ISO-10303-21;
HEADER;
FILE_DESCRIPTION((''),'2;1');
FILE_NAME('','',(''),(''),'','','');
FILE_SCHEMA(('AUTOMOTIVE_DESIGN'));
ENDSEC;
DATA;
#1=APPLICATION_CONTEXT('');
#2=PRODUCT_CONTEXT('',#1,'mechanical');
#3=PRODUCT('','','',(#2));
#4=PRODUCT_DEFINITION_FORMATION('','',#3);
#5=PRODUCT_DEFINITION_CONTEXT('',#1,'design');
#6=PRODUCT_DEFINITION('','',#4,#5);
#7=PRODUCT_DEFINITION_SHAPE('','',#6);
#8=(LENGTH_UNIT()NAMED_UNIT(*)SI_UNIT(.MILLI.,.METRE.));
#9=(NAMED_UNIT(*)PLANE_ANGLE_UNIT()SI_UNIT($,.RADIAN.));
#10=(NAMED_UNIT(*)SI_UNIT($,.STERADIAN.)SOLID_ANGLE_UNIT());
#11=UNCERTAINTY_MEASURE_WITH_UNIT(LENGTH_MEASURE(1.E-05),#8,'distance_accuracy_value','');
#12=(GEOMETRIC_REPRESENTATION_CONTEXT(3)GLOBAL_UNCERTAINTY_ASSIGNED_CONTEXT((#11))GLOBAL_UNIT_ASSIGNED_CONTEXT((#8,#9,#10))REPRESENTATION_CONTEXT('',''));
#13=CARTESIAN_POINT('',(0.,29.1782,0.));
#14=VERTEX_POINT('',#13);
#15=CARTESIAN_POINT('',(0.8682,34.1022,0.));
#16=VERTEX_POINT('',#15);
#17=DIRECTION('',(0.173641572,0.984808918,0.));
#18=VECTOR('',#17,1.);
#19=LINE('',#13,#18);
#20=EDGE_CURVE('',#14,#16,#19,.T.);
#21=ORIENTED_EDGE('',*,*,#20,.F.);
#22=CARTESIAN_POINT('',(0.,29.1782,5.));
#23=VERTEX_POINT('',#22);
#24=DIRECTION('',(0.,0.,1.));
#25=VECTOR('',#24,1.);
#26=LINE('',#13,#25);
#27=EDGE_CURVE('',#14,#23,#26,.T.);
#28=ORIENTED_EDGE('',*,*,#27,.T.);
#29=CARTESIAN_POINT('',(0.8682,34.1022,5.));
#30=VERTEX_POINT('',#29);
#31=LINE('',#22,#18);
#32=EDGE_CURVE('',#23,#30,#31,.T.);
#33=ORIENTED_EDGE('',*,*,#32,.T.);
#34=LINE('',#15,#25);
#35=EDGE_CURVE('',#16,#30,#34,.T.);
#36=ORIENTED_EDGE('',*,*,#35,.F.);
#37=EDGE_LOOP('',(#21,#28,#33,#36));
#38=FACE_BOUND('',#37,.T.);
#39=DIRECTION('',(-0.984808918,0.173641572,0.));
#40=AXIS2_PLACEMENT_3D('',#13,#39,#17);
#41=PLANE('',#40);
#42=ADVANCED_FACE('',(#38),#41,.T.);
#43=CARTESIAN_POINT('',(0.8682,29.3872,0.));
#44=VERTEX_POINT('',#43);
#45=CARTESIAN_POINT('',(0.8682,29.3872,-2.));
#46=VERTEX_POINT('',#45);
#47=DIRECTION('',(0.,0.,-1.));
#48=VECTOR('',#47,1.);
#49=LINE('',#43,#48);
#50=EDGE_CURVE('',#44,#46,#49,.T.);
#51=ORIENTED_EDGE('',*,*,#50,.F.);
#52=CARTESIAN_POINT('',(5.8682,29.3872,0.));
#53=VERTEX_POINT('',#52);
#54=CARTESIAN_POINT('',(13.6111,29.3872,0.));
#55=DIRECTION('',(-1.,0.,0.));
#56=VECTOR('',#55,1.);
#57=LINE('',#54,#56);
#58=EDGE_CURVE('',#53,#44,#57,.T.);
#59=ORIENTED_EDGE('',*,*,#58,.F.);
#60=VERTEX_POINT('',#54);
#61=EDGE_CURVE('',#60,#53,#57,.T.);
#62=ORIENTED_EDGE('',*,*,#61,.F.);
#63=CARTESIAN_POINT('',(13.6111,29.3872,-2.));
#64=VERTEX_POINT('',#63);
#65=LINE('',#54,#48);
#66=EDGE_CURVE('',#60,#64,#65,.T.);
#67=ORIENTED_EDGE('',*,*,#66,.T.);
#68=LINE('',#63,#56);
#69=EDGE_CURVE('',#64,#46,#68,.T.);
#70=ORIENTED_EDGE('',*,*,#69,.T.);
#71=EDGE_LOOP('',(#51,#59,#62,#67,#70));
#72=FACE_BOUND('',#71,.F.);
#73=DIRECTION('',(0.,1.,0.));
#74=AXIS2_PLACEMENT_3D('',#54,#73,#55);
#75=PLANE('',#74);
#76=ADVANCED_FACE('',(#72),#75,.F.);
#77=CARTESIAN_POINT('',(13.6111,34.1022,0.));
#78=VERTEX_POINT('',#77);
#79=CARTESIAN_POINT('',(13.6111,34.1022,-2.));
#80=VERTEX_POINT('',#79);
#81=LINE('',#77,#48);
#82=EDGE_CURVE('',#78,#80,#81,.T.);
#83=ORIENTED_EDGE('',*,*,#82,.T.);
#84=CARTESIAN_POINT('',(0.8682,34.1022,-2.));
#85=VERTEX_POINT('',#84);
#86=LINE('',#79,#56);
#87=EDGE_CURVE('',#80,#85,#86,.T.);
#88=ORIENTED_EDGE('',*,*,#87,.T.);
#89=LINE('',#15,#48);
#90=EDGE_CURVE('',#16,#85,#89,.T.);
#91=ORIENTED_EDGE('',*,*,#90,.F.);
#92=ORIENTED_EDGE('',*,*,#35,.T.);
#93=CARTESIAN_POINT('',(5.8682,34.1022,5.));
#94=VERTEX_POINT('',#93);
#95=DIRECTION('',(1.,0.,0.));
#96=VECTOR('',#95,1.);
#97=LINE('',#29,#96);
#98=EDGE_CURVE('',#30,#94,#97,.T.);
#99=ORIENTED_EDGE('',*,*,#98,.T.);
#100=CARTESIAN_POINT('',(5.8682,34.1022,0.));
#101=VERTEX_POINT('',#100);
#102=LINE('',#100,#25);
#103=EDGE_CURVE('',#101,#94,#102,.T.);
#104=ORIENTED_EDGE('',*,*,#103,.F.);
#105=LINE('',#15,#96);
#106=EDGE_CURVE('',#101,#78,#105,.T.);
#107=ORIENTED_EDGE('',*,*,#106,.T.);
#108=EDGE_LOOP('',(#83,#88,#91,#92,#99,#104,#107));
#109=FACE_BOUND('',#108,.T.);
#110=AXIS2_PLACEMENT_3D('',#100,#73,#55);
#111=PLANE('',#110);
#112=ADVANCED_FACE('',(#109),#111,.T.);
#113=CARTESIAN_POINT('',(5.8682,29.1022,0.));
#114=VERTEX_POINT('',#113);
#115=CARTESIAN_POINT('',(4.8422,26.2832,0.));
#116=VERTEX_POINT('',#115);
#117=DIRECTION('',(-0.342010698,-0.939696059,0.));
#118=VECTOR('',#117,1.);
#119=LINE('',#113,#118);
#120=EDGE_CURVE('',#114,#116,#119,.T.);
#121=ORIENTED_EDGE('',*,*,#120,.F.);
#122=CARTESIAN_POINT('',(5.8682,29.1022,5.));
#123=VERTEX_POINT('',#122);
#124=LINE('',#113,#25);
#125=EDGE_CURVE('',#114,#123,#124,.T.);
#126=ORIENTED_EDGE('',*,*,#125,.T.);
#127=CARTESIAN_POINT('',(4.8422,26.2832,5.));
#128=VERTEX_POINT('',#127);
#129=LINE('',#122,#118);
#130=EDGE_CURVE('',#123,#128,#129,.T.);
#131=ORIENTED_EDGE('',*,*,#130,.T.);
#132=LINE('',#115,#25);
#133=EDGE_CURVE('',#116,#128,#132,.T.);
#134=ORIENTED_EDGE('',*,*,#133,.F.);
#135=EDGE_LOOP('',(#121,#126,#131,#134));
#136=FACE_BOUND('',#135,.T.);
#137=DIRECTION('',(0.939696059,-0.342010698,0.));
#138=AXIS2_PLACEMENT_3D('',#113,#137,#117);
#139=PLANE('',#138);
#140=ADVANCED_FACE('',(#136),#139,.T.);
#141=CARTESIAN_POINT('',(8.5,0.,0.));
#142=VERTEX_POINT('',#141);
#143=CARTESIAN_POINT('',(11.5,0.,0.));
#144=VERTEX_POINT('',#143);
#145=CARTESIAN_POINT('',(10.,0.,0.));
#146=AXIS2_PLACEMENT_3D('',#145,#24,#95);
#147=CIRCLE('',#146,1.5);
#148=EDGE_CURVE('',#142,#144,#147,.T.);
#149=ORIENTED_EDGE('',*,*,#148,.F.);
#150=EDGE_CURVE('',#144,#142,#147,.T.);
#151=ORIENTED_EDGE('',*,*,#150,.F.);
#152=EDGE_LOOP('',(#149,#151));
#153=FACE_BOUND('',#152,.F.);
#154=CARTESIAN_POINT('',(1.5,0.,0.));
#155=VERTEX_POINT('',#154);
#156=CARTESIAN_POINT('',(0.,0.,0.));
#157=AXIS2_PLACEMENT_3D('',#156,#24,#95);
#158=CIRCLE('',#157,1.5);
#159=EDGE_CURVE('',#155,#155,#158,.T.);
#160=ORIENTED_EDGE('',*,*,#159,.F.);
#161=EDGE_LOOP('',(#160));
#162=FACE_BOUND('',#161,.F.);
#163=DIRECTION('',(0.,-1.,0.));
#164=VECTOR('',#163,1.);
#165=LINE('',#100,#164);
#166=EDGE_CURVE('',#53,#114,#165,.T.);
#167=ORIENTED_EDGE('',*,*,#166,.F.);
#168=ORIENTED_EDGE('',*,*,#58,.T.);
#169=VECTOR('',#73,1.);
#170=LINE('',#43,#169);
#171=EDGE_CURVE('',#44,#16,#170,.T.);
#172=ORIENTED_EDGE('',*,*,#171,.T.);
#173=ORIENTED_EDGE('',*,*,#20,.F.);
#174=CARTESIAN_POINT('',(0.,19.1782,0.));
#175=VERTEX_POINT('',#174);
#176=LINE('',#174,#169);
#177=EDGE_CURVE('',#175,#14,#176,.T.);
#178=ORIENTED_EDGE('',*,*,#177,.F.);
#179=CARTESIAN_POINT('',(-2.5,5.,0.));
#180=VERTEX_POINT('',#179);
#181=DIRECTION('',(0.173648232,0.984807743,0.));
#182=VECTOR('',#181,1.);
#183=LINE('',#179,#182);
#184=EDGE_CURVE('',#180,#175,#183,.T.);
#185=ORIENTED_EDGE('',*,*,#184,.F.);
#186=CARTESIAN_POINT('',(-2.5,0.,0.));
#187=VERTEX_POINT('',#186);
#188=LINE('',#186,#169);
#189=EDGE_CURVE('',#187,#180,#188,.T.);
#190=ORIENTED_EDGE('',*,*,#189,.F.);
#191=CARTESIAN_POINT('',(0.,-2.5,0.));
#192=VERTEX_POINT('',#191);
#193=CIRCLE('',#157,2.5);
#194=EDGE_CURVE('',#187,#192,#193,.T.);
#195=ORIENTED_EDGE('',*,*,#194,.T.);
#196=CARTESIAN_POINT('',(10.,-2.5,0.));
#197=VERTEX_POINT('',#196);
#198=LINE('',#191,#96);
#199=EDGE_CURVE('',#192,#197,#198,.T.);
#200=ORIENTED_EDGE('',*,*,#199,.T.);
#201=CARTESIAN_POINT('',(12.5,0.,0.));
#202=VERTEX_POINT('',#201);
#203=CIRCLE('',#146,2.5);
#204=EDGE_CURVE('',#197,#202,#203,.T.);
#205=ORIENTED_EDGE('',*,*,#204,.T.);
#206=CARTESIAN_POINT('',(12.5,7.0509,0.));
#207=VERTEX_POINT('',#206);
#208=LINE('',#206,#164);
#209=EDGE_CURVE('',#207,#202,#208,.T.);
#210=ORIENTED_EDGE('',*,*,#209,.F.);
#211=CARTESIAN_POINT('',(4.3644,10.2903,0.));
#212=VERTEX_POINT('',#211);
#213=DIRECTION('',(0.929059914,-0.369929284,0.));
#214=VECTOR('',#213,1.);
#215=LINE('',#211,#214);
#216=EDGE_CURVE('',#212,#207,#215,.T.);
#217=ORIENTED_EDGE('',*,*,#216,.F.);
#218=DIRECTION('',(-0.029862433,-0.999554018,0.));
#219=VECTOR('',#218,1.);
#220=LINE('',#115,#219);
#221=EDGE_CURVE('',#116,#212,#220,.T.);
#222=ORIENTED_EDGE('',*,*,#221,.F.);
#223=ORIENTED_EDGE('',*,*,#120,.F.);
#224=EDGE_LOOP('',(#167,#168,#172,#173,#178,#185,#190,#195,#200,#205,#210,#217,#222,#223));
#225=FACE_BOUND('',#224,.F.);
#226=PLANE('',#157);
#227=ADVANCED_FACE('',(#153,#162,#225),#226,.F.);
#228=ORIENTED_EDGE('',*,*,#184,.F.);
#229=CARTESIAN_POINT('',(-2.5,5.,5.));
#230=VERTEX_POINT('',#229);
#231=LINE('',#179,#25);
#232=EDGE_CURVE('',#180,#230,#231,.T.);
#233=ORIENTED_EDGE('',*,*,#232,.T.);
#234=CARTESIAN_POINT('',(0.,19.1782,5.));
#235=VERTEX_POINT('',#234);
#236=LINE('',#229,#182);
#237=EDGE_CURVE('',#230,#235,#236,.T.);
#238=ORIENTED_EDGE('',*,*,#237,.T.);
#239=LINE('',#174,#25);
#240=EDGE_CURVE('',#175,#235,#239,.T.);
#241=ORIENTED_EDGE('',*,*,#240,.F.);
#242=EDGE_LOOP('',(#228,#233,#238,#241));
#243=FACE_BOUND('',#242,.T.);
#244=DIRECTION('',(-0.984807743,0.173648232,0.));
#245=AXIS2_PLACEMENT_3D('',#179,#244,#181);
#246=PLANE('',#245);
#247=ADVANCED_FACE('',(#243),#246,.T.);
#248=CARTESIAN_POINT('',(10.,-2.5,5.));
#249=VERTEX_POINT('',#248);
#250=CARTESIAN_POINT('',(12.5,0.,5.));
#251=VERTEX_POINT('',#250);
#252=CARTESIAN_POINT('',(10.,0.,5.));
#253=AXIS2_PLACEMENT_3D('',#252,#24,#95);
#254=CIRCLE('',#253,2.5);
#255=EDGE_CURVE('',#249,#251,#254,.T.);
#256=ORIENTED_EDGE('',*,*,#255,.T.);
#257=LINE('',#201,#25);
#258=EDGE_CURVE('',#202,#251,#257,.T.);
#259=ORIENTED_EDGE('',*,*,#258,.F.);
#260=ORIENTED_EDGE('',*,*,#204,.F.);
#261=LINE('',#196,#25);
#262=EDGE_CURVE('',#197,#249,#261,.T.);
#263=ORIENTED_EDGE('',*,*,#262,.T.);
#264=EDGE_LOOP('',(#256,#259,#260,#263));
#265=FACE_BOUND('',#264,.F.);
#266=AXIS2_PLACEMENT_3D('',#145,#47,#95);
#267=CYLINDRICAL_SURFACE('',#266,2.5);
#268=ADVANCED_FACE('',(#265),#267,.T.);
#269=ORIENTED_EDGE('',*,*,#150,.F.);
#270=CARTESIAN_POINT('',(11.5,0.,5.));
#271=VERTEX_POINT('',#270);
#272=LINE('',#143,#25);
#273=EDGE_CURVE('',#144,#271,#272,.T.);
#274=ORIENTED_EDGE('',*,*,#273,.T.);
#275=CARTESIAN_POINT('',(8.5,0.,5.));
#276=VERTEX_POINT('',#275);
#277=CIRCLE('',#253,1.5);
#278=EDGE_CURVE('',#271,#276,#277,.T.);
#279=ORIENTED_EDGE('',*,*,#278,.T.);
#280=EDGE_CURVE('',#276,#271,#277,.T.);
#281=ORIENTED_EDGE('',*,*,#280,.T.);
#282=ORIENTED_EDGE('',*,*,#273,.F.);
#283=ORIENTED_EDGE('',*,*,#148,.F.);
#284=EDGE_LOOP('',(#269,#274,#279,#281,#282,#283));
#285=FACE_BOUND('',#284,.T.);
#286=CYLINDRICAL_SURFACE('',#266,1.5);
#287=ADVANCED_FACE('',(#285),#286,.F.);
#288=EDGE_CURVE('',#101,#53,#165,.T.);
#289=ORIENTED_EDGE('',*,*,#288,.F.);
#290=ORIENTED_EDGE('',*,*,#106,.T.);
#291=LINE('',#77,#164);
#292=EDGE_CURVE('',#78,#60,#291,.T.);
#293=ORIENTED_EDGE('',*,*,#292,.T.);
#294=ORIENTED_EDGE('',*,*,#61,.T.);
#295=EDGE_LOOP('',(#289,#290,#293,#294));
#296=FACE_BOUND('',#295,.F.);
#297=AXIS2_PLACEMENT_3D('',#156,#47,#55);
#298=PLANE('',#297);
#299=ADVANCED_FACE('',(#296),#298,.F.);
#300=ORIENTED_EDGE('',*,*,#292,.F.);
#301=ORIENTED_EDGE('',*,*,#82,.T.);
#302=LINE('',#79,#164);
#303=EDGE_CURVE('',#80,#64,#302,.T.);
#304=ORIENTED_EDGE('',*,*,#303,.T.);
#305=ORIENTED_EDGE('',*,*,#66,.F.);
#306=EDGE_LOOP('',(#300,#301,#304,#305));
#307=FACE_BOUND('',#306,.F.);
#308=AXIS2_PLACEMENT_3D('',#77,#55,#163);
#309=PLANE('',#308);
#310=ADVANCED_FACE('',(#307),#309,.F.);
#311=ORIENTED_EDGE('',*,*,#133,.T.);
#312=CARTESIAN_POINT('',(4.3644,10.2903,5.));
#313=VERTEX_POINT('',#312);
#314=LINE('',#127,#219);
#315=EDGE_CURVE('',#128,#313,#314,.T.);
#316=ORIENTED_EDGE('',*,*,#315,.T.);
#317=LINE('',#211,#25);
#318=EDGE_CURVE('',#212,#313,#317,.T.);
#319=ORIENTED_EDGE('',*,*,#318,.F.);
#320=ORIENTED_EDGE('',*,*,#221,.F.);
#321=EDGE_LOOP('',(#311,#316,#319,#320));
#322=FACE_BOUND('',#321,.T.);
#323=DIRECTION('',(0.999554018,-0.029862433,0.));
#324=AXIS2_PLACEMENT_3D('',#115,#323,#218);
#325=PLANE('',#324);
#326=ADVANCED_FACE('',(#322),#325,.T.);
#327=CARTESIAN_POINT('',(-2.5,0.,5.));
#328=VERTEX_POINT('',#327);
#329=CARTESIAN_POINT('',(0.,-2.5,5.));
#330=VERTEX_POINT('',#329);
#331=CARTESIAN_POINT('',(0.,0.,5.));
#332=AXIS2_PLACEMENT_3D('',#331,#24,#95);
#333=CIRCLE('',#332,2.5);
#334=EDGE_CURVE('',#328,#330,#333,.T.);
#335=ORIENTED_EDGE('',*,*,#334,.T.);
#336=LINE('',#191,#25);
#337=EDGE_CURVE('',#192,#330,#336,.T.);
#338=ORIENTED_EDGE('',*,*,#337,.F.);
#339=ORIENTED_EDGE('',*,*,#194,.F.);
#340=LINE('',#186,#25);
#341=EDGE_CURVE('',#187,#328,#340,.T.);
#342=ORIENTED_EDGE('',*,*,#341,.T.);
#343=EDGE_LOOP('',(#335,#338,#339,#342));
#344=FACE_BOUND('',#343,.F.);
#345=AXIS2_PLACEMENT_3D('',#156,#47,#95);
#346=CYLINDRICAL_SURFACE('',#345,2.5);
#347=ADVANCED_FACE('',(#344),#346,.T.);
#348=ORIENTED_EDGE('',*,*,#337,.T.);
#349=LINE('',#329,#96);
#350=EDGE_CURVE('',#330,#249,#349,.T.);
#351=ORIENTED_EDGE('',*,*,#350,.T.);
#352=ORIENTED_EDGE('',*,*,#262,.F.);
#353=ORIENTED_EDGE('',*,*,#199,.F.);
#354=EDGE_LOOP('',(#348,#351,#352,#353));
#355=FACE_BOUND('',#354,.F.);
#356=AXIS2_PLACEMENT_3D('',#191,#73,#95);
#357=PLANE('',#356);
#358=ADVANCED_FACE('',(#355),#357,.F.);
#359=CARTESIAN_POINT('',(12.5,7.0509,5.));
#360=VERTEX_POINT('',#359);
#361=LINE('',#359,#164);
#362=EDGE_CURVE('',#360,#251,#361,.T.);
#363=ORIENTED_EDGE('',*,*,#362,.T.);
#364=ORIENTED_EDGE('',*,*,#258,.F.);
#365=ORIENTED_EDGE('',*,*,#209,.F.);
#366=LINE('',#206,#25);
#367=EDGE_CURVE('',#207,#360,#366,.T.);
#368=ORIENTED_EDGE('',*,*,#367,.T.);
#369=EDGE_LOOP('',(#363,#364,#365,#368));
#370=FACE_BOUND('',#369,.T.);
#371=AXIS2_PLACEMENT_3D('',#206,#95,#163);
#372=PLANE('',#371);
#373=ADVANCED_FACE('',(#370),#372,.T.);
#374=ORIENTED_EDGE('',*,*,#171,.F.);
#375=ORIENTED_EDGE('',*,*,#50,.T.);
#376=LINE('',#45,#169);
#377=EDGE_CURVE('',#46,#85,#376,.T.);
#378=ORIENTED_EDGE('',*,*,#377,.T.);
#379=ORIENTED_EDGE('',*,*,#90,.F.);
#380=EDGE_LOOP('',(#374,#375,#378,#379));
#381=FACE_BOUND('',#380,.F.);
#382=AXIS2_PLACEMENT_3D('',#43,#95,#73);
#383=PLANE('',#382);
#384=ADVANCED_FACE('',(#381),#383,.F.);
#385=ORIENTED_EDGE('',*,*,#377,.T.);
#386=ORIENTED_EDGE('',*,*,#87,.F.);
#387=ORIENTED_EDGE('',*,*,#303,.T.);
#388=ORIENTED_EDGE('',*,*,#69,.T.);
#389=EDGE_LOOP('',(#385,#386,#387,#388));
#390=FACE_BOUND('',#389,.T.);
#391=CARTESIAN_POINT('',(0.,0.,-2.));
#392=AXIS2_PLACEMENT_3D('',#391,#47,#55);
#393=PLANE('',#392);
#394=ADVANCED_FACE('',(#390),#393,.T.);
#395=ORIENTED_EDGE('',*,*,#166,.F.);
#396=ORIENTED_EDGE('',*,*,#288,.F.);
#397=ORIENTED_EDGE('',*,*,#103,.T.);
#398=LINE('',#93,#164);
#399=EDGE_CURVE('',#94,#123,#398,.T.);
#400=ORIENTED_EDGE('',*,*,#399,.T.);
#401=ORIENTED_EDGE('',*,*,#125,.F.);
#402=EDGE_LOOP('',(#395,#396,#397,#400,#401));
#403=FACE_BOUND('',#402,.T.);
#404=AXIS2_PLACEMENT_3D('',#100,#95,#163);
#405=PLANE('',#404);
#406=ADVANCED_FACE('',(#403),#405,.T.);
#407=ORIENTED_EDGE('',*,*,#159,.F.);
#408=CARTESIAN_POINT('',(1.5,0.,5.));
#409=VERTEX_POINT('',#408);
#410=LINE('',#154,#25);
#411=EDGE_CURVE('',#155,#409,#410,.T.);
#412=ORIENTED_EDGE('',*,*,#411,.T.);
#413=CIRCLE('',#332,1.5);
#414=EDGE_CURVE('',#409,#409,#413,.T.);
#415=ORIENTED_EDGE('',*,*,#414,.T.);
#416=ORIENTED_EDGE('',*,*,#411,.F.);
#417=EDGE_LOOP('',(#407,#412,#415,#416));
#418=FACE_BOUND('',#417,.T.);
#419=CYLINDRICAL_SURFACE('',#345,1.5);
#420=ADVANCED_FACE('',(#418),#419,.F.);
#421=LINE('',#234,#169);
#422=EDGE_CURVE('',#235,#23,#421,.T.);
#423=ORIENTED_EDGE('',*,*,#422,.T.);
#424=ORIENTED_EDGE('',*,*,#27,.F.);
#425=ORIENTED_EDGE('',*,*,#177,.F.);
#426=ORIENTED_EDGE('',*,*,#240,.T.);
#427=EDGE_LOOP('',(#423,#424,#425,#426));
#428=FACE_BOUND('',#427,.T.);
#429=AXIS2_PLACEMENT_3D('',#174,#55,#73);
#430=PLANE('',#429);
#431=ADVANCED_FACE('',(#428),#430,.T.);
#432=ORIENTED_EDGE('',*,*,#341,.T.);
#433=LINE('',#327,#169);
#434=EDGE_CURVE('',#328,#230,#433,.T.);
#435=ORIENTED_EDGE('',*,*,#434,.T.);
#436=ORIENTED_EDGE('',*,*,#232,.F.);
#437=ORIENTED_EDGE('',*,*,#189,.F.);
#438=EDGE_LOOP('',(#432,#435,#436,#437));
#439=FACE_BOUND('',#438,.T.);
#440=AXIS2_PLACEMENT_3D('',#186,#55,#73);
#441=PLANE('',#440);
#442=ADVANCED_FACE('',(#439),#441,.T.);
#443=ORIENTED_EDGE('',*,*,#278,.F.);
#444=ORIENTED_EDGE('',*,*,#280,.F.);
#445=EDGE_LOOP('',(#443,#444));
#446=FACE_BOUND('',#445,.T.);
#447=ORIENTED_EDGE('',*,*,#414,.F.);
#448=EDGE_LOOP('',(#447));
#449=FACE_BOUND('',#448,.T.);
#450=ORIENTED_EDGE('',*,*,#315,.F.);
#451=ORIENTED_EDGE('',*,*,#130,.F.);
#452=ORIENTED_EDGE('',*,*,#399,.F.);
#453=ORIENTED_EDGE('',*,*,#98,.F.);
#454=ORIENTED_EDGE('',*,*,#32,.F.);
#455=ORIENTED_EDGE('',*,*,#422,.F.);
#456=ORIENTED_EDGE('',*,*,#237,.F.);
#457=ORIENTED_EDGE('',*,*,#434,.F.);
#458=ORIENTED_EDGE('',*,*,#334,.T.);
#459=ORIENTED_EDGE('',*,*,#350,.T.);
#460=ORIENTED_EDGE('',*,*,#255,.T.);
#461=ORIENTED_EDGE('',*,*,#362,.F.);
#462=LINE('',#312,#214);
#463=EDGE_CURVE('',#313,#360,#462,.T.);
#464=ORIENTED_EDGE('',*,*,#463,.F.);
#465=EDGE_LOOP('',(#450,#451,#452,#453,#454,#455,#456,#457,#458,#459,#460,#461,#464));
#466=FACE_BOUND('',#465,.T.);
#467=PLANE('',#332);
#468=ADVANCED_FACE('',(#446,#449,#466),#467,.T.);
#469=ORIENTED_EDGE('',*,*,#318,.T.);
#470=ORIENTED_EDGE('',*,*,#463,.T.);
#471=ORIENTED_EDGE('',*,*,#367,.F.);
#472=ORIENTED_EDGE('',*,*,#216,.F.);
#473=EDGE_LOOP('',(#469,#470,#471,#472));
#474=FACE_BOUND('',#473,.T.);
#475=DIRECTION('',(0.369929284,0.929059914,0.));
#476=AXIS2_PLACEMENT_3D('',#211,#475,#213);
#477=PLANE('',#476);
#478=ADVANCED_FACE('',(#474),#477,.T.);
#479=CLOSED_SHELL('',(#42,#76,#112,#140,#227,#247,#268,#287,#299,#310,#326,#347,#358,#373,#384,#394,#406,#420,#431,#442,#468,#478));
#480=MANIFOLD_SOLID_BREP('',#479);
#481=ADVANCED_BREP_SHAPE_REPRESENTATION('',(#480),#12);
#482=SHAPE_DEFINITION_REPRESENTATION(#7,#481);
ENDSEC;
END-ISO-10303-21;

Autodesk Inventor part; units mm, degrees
ref_plane "YZ Plane" through (0, 0, 0) normal (1, 0, 0) x (0, 1, 0)
ref_plane "XZ Plane" through (0, 0, 0) normal (0, 1, 0) x (-1, 0, 0)
ref_plane "XY Plane" through (0, 0, 0) normal (0, 0, 1) x (1, 0, 0)
sketch "Sketch1" plane through (0, 0, 0) normal (0, 0, 1) x (1, 0, 0)
  line L0 (0, 0) -> (10, 0)
  circle A0 centre (0, 0) radius 1.5
  circle A1 centre (10, 0) radius 1.5
  circle A2 centre (0, 0) radius 2.5
  circle A3 centre (10, 0) radius 2.5
  line L1 (0, -2.5) -> (10, -2.5)
  line L2 (-2.5, 0) -> (-2.5, 5)
  line L3 (-2.5, 5) -> (0, 19.1782)
  line L4 (-2.5, 5) -> (11.8969, 5) construction
  line L5 (0, 19.1782) -> (0, 29.1782)
  line L6 (0, 29.1782) -> (0.8682, 34.1022)
  line L7 (0.8682, 34.1022) -> (5.8682, 34.1022)
  line L8 (5.8682, 34.1022) -> (5.8682, 29.1022)
  line L9 (5.8682, 29.1022) -> (4.8422, 26.2832)
  line L10 (4.8422, 26.2832) -> (4.3644, 10.2903)
  line L11 (4.3644, 10.2903) -> (12.5, 7.0509)
  line L12 (12.5, 7.0509) -> (12.5, 0)
  line L13 (5.8682, 34.1022) -> (14.2847, 34.1022)
  line L14 (14.2847, 34.1022) -> (14.2847, 29.1022)
  line L15 (14.2847, 29.1022) -> (5.8682, 29.1022)
  dimension "d0" = 10
  dimension "d1" = 3
  dimension "d2" = 3
  dimension "d3" = 5
  dimension "d4" = 5
  dimension "d5" = 5
  dimension "d6" = 80
  dimension "d7" = 10
  dimension "d8" = 5
  dimension "d9" = 170
  dimension "d10" = 5
  dimension "d11" = 5
  dimension "d12" = 3
  dimension "d13" = 160
  dimension "d14" = 16
  dimension "d15" = 110
extrude "Extrusion1" add sketch "Sketch1" along normal blind 5 contours A2 | A2 L2 L3 L5 L6 L7 L8 L9 L10 L11 L12 A3 L0 | L0 A3 L1 A2 | A3
sketch "Sketch2" plane through (0, 0, 0) normal (0, 0, -1) x (-1, 0, 0)
  line L0 (-5.8682, 34.1022) -> (-0.8682, 34.1022) projected
  line L1 (-0.8682, 34.1022) -> (-13.6111, 34.1022)
  line L2 (-13.6111, 34.1022) -> (-13.6111, 29.3872)
  line L3 (-13.6111, 29.3872) -> (-0.8682, 29.3872)
  line L4 (-0.8682, 29.3872) -> (-0.8682, 34.1022)
  point P0 (0, 0)
extrude "Extrusion3" add sketch "Sketch2" along normal blind 2
properties part number "gripper"
